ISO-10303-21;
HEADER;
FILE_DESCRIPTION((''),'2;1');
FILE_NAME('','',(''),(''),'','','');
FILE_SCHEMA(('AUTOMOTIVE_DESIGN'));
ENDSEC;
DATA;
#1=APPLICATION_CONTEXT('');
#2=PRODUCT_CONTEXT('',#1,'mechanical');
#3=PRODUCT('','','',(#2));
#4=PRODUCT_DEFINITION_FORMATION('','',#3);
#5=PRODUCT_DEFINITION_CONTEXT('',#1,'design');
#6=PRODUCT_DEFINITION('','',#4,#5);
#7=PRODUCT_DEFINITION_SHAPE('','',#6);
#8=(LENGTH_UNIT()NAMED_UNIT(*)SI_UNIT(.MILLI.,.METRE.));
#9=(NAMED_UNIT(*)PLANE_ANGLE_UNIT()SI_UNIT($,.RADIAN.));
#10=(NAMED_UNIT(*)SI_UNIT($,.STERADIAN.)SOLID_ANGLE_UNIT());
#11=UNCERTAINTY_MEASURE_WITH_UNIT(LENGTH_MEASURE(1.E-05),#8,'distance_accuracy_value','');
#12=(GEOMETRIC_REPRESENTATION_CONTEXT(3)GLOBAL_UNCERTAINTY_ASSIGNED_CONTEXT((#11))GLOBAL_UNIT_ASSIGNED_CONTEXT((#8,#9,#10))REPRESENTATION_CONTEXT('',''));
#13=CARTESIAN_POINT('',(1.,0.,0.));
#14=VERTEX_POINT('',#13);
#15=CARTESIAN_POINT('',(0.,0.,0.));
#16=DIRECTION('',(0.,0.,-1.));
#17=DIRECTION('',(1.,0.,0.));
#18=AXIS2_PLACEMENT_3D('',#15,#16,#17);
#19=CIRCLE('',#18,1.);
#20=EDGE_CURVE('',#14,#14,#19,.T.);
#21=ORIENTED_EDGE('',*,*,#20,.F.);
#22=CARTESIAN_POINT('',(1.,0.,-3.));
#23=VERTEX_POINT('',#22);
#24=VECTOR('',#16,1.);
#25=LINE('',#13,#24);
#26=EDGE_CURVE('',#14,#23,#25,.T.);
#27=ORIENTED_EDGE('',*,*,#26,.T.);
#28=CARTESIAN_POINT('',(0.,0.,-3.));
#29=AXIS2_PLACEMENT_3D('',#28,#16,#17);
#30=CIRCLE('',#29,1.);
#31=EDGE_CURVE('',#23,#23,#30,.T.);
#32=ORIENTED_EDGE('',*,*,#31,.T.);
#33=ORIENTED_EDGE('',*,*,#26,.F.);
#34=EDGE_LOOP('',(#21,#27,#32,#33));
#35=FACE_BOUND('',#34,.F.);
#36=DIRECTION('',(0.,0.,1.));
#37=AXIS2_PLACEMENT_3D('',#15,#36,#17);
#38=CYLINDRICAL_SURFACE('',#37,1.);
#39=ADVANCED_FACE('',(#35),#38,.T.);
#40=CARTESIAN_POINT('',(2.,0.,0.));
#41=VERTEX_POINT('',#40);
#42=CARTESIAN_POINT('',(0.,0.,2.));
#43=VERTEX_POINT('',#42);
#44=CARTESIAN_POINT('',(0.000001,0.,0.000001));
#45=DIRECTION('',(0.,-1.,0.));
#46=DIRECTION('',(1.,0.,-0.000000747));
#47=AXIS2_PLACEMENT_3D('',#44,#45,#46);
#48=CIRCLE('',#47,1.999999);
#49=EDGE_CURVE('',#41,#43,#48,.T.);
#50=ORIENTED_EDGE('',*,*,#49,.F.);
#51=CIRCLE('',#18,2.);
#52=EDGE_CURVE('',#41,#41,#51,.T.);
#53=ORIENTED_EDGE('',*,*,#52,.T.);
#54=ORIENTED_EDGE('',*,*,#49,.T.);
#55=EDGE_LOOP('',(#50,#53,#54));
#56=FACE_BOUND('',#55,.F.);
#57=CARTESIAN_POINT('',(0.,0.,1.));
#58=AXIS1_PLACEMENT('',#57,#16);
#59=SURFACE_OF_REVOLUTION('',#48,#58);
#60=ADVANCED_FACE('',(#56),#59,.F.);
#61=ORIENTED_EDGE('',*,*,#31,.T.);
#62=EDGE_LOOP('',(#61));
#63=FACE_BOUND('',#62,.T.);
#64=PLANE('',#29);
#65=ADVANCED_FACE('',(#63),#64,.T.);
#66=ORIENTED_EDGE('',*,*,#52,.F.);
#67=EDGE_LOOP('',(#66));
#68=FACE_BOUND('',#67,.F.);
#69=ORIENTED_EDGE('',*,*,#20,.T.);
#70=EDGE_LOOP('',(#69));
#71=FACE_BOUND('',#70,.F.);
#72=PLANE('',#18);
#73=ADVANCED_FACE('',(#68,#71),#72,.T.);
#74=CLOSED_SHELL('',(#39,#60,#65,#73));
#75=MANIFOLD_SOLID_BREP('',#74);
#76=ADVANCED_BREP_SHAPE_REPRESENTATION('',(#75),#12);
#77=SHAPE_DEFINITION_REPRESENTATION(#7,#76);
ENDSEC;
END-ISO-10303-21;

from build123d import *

# Parameters (mm, degrees)
F2_R     = 1
F3_DEPTH = 3


with BuildPart() as f1:
    # F0 (on Front) → F1 (revolve)
    with BuildSketch(Plane.XZ):
        with BuildLine():
            Line((0, 0), (2, 0))
            ThreePointArc((2, 0), (1.414214, 1.414214), (0, 2))
            Line((0, 2), (0, 0))
        make_face()
    revolve(axis=Axis((0, 0, 1), (0, 0, -1)))

    # F2 (on face) → F3 (join)
    with BuildSketch(Plane(origin=(0, 0, 0), x_dir=(1, 0, 0), z_dir=(0, 0, -1))):
        Circle(F2_R)
    extrude(amount=F3_DEPTH)


solid = f1.part
